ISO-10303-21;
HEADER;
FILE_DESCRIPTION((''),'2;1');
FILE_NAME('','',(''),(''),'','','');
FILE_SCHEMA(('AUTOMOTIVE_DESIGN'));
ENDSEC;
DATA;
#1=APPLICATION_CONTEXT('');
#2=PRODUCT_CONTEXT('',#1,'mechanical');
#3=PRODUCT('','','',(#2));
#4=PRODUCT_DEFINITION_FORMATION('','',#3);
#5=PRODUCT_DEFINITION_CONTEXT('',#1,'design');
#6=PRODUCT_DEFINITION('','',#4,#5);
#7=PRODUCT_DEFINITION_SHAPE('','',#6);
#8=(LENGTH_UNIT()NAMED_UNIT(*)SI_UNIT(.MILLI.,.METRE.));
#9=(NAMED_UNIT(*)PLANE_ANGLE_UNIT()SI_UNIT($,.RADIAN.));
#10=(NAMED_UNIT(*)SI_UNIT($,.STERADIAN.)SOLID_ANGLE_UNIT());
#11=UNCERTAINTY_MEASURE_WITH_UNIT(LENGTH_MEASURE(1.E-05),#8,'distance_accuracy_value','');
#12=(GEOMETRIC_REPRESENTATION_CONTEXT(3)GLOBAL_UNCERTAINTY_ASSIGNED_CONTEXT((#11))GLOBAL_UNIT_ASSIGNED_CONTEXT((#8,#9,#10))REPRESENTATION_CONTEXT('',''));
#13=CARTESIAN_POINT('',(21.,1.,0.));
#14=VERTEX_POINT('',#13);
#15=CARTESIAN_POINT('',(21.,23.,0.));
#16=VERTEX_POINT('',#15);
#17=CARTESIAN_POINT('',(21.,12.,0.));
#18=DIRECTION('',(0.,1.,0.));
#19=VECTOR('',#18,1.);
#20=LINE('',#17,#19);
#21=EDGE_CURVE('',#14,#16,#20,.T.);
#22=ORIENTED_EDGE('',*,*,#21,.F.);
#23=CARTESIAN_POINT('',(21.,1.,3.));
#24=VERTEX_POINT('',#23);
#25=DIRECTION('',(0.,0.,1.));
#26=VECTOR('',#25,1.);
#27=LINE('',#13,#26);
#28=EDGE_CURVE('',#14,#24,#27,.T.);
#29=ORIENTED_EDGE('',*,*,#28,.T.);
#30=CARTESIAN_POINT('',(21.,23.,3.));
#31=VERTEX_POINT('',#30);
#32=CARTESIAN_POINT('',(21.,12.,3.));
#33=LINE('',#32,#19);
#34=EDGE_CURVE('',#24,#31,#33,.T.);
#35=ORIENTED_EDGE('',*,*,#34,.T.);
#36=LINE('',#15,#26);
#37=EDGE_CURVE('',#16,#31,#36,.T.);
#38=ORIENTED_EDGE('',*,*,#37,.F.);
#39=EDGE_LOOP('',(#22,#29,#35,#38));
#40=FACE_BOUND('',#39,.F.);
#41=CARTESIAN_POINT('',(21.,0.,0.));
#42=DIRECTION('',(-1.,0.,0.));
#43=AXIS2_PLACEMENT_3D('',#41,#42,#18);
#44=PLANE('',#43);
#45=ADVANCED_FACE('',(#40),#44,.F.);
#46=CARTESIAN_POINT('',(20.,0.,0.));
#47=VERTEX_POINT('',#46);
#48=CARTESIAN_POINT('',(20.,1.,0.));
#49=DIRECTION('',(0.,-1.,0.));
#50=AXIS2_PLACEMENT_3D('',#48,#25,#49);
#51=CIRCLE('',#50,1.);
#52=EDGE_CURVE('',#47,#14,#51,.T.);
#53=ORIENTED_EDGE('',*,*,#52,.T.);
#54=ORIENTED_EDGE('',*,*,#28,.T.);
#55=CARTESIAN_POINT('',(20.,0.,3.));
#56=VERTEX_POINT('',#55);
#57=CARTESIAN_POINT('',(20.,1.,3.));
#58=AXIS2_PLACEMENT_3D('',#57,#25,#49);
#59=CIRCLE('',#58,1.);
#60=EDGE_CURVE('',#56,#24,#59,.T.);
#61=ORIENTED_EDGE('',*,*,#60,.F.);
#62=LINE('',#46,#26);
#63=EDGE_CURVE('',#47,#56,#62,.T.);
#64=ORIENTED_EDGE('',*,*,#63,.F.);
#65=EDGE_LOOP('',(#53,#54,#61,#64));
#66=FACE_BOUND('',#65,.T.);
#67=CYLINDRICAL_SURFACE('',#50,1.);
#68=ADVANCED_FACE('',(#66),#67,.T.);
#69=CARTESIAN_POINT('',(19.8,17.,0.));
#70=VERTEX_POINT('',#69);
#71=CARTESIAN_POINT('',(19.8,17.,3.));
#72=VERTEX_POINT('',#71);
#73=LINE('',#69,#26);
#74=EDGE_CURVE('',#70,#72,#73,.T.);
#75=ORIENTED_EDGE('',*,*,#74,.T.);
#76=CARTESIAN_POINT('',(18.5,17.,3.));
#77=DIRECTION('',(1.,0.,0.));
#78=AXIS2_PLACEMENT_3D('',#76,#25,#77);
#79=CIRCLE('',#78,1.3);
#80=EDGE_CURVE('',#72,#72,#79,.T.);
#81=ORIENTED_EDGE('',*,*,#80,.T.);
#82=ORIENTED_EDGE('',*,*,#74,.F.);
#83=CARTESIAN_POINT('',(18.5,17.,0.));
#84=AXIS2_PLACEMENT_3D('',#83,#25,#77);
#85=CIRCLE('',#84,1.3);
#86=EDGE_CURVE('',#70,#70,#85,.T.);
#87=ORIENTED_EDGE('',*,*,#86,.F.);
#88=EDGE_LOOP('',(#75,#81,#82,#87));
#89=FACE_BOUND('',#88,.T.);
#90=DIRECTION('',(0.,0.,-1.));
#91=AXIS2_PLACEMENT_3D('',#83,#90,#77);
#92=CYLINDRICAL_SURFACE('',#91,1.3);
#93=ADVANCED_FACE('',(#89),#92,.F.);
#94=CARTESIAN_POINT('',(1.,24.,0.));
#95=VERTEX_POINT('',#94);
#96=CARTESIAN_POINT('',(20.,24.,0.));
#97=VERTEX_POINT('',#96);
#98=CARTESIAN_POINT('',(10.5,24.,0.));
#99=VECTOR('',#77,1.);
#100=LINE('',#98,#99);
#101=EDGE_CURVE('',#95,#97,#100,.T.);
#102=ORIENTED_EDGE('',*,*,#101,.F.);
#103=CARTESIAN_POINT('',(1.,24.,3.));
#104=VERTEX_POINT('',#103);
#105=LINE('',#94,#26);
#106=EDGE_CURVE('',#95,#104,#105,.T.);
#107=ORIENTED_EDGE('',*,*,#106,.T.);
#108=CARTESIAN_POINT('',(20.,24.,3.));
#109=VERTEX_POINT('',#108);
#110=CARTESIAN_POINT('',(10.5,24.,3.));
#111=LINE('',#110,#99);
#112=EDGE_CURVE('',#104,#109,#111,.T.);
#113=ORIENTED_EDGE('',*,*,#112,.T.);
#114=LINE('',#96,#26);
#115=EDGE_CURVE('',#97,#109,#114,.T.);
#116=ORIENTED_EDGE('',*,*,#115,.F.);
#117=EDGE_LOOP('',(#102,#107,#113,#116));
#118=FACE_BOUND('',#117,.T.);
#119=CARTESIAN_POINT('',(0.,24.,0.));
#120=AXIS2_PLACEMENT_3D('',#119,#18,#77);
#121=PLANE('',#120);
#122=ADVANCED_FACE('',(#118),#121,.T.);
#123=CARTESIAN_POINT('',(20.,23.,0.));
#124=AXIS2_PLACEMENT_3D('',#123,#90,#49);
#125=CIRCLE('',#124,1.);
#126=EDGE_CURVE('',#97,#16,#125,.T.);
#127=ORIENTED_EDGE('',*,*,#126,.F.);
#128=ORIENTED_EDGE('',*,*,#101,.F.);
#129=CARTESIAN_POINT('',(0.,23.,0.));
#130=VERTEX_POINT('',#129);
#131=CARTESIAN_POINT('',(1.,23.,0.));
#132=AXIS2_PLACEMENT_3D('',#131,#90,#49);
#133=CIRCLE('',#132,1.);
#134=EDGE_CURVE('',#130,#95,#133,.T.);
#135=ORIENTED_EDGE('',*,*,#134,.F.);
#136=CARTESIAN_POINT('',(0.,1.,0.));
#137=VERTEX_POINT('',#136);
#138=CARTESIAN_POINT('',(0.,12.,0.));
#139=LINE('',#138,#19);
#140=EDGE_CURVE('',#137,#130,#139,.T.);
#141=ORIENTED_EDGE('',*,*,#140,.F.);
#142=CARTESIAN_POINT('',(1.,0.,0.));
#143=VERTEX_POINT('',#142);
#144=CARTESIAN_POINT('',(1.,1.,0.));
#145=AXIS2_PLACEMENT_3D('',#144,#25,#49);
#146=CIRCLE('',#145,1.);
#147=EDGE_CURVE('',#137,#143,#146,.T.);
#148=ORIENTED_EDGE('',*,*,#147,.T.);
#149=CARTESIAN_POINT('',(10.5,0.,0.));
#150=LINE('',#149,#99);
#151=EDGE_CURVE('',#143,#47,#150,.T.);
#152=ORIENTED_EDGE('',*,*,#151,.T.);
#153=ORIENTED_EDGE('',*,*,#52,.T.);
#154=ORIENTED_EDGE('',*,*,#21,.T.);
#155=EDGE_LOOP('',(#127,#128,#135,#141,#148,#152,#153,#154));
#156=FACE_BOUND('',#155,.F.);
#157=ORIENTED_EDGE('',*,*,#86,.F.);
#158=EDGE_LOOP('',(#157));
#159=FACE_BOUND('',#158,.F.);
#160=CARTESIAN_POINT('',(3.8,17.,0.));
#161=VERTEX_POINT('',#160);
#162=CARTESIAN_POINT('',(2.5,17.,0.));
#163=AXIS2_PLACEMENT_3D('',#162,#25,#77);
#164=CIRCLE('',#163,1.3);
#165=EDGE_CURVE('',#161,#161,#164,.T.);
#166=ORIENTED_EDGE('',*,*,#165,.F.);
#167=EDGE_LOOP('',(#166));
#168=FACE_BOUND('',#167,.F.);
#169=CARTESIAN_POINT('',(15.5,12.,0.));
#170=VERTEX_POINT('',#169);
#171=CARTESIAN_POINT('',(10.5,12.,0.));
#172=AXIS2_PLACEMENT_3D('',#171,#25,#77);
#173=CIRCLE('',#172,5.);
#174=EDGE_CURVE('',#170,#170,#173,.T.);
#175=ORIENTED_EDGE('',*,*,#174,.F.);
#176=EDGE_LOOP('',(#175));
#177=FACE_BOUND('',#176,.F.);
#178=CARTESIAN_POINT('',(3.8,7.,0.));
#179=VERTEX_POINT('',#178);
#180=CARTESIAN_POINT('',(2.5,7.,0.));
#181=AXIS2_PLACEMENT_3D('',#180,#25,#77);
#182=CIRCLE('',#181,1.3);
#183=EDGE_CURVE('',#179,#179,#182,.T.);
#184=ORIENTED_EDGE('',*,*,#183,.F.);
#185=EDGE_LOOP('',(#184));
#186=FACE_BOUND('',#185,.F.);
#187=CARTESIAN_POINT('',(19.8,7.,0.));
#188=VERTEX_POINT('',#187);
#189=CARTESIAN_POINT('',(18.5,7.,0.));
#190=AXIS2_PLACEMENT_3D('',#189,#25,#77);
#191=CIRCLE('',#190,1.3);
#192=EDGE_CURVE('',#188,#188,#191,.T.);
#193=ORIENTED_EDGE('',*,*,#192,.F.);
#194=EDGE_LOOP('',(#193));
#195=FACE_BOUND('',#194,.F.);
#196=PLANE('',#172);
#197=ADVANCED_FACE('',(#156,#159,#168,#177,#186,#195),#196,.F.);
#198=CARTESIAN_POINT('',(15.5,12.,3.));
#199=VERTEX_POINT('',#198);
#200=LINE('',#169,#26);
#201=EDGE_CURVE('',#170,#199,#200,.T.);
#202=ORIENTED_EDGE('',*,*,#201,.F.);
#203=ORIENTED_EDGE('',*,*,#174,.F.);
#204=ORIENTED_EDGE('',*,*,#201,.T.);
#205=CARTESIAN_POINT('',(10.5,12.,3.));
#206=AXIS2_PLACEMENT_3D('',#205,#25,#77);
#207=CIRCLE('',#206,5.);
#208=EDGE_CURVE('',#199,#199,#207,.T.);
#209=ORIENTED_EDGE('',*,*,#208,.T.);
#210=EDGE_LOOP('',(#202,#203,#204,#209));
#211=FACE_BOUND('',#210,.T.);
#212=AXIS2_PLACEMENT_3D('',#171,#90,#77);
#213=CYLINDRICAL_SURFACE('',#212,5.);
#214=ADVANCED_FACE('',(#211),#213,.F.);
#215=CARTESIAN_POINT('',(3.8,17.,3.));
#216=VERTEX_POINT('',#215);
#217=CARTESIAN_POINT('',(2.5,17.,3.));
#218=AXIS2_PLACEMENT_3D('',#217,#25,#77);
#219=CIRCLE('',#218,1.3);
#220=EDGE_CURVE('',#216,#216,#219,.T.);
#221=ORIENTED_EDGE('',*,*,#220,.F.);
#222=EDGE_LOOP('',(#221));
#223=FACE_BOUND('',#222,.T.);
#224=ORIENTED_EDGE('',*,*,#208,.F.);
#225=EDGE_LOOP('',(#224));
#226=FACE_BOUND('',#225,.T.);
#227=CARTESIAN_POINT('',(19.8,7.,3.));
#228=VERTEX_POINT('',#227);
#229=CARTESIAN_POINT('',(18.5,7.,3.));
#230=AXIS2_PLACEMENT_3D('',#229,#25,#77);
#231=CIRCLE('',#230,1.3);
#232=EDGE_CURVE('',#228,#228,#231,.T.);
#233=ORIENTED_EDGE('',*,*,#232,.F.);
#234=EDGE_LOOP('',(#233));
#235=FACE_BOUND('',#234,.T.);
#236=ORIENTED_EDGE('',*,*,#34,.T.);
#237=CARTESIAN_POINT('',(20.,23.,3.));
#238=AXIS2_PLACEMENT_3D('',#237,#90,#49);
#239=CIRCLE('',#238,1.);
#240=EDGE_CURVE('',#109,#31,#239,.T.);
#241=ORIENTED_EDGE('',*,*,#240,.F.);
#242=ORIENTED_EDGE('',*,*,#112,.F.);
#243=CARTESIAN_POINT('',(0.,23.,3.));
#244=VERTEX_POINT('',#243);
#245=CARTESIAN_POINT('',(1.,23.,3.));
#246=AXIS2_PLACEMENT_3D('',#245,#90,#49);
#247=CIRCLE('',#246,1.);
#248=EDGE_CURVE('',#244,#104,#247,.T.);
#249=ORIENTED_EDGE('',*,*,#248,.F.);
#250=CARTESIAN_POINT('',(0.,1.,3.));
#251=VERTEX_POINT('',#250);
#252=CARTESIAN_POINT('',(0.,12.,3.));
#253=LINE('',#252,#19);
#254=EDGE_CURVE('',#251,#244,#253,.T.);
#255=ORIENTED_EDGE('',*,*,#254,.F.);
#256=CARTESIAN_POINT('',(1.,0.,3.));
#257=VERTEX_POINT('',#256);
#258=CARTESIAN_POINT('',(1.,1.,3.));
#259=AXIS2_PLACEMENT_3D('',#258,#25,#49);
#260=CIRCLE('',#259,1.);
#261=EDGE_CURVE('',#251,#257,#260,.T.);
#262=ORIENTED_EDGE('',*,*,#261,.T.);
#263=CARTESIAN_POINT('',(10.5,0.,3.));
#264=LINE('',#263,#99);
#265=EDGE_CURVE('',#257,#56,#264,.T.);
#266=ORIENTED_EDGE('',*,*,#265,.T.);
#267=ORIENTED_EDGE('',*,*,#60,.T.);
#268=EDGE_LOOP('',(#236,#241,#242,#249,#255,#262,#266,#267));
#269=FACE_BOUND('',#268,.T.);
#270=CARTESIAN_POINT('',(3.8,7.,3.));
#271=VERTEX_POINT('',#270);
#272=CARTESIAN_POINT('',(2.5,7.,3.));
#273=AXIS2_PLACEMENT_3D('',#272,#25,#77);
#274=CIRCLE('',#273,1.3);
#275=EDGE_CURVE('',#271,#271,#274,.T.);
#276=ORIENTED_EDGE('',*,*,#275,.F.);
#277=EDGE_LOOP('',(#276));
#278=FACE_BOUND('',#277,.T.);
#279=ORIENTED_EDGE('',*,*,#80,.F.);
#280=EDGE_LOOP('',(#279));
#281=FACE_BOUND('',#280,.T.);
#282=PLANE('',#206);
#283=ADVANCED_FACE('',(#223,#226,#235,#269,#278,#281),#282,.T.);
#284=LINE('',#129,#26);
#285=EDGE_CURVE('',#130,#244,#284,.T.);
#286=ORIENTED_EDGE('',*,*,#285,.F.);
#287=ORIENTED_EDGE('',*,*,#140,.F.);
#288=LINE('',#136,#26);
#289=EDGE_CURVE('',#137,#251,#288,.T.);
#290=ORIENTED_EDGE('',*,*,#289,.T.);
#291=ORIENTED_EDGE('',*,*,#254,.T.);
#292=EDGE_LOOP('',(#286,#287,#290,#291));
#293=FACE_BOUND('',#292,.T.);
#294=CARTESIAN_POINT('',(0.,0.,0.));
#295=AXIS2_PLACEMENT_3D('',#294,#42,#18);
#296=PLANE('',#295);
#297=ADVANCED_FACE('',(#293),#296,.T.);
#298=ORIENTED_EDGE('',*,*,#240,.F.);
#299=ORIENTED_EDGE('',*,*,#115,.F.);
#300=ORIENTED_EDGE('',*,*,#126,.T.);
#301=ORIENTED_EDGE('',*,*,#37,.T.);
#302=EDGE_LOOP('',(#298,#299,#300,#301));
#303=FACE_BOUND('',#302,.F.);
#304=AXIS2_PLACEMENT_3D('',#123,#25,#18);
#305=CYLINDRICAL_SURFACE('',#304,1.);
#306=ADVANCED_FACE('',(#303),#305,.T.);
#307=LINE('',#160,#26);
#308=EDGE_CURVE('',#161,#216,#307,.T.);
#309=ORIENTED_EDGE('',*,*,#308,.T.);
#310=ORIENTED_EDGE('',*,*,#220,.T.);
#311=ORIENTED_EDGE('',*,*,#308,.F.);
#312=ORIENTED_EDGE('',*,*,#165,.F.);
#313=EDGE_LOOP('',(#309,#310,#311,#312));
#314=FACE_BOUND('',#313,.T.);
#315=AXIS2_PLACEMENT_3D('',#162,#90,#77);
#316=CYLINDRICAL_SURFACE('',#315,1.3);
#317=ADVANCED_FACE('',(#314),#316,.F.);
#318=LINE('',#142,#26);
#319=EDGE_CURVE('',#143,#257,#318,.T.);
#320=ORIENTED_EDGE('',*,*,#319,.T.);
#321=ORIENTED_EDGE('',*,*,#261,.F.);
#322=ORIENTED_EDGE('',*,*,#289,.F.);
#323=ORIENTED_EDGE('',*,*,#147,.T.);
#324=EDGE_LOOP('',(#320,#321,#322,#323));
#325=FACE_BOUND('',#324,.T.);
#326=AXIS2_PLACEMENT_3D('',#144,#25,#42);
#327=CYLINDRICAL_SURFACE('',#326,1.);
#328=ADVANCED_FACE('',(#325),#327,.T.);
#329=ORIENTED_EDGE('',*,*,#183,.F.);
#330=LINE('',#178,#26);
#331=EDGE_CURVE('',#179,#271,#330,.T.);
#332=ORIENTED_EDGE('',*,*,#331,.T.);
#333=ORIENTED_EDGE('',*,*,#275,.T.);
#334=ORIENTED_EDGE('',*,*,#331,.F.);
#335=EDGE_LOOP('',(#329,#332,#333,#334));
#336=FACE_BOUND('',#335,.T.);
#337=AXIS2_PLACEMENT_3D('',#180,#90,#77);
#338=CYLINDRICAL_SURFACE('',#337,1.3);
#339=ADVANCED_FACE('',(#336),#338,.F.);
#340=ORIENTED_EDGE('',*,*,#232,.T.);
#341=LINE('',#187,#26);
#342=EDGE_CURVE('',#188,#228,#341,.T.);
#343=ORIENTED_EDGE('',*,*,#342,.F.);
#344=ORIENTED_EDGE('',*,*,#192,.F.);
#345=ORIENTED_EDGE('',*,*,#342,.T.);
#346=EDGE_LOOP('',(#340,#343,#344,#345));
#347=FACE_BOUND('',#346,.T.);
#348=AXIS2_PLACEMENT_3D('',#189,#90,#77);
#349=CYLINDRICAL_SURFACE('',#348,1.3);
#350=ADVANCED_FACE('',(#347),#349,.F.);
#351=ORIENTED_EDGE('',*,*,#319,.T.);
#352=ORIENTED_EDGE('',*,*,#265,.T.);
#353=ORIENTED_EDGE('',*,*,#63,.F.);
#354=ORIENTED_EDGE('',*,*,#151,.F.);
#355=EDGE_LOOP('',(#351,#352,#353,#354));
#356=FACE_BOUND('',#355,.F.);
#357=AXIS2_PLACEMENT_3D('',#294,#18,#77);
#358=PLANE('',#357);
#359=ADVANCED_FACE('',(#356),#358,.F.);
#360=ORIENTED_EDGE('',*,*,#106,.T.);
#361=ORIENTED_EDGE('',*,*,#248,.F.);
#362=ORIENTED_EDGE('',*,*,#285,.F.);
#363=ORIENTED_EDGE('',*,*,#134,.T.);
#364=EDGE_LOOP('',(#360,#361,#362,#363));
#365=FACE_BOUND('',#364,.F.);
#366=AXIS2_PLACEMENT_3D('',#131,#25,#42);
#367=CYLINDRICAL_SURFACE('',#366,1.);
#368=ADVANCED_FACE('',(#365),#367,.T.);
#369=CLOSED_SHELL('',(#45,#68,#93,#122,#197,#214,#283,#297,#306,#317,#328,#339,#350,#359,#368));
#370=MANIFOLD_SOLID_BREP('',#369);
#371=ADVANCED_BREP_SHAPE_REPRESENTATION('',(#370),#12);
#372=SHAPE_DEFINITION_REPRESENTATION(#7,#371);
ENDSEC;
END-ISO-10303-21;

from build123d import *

# Parameters (mm, degrees)
SKETCH_W   = 21
SKETCH_H   = 24
SKETCH_R   = 1.3
SKETCH_R_2 = 5
PAD_DEPTH  = 3
FILLET_R   = 1


with BuildPart() as part:
    # Sketch → Pad (new body)
    with BuildSketch(Plane.XY):
        with Locations((10.5, 12)):
            Rectangle(SKETCH_W, SKETCH_H)
        with Locations((2.5, 17)):
            Circle(SKETCH_R, mode=Mode.SUBTRACT)
        with Locations((18.5, 17)):
            Circle(SKETCH_R, mode=Mode.SUBTRACT)
        with Locations((2.5, 7)):
            Circle(SKETCH_R, mode=Mode.SUBTRACT)
        with Locations((18.5, 7)):
            Circle(SKETCH_R, mode=Mode.SUBTRACT)
        with Locations((10.5, 12)):
            Circle(SKETCH_R_2, mode=Mode.SUBTRACT)
    extrude(amount=PAD_DEPTH)

    # Fillet
    fillet_edges = [part.edges().sort_by_distance(p)[0] for p in [
        (0, 0, 1.5),
        (21, 0, 1.5),
        (21, 24, 1.5),
        (0, 24, 1.5),
    ]]
    fillet(fillet_edges, radius=FILLET_R)


solid = part.part
